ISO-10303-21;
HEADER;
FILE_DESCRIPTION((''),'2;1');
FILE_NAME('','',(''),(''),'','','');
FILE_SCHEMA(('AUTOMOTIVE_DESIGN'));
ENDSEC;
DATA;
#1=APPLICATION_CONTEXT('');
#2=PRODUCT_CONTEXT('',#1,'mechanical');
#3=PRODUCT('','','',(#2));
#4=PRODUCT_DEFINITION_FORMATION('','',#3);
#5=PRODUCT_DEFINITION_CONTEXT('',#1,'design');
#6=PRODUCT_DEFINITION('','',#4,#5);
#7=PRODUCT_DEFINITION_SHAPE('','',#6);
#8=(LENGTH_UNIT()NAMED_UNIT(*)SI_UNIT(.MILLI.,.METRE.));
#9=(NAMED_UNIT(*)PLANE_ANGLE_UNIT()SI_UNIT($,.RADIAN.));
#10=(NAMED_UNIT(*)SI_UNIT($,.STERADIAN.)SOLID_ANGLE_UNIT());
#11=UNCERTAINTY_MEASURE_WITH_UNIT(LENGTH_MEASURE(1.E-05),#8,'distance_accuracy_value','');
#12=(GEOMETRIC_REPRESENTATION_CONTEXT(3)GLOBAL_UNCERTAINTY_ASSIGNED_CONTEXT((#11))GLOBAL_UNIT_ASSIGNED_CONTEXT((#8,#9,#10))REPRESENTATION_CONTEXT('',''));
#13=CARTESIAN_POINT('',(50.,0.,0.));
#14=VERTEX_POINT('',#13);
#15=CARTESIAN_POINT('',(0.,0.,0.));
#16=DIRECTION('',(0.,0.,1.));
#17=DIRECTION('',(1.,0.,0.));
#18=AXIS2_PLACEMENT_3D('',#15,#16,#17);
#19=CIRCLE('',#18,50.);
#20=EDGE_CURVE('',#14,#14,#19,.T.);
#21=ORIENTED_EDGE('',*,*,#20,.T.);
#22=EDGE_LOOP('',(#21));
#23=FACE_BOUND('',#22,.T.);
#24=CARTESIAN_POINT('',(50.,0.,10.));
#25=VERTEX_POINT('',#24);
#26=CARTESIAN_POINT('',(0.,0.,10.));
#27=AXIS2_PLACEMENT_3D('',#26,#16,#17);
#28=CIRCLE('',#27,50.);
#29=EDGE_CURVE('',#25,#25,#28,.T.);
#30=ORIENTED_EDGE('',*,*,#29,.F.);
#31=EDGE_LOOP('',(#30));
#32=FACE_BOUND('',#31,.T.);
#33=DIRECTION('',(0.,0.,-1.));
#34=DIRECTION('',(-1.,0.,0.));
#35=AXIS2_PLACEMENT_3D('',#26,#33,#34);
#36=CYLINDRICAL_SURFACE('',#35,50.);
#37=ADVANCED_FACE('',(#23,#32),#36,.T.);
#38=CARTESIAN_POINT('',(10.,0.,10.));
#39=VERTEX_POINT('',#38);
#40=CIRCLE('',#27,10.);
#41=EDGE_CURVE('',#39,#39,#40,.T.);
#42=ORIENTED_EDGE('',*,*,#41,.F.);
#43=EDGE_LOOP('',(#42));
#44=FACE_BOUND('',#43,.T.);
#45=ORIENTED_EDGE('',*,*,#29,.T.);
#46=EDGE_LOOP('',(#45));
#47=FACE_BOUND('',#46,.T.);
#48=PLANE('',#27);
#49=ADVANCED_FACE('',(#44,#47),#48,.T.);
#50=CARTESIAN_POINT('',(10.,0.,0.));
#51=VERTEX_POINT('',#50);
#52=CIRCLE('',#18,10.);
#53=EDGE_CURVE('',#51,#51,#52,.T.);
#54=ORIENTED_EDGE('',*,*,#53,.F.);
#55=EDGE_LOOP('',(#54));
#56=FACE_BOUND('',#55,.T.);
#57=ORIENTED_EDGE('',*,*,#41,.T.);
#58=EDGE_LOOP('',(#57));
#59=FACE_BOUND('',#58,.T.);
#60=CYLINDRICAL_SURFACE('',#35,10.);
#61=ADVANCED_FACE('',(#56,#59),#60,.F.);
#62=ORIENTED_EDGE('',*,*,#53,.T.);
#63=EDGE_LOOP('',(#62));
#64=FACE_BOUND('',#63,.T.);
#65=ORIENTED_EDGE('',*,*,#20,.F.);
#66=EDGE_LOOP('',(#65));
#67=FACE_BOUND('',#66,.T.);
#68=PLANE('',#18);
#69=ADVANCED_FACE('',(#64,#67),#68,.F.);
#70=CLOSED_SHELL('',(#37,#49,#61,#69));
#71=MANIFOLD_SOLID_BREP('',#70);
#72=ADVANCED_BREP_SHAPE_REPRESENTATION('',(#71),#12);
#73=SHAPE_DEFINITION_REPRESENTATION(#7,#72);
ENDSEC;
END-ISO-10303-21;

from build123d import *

# Parameters (mm, degrees)
SKETCH1_R           = 50
SKETCH1_R_2         = 10
BOSS_EXTRUDE1_DEPTH = 10


with BuildPart() as part:
    # Sketch1 → Boss-Extrude1 (new body)
    with BuildSketch(Plane.XY):
        Circle(SKETCH1_R)
        Circle(SKETCH1_R_2, mode=Mode.SUBTRACT)
    extrude(amount=BOSS_EXTRUDE1_DEPTH)


solid = part.part
